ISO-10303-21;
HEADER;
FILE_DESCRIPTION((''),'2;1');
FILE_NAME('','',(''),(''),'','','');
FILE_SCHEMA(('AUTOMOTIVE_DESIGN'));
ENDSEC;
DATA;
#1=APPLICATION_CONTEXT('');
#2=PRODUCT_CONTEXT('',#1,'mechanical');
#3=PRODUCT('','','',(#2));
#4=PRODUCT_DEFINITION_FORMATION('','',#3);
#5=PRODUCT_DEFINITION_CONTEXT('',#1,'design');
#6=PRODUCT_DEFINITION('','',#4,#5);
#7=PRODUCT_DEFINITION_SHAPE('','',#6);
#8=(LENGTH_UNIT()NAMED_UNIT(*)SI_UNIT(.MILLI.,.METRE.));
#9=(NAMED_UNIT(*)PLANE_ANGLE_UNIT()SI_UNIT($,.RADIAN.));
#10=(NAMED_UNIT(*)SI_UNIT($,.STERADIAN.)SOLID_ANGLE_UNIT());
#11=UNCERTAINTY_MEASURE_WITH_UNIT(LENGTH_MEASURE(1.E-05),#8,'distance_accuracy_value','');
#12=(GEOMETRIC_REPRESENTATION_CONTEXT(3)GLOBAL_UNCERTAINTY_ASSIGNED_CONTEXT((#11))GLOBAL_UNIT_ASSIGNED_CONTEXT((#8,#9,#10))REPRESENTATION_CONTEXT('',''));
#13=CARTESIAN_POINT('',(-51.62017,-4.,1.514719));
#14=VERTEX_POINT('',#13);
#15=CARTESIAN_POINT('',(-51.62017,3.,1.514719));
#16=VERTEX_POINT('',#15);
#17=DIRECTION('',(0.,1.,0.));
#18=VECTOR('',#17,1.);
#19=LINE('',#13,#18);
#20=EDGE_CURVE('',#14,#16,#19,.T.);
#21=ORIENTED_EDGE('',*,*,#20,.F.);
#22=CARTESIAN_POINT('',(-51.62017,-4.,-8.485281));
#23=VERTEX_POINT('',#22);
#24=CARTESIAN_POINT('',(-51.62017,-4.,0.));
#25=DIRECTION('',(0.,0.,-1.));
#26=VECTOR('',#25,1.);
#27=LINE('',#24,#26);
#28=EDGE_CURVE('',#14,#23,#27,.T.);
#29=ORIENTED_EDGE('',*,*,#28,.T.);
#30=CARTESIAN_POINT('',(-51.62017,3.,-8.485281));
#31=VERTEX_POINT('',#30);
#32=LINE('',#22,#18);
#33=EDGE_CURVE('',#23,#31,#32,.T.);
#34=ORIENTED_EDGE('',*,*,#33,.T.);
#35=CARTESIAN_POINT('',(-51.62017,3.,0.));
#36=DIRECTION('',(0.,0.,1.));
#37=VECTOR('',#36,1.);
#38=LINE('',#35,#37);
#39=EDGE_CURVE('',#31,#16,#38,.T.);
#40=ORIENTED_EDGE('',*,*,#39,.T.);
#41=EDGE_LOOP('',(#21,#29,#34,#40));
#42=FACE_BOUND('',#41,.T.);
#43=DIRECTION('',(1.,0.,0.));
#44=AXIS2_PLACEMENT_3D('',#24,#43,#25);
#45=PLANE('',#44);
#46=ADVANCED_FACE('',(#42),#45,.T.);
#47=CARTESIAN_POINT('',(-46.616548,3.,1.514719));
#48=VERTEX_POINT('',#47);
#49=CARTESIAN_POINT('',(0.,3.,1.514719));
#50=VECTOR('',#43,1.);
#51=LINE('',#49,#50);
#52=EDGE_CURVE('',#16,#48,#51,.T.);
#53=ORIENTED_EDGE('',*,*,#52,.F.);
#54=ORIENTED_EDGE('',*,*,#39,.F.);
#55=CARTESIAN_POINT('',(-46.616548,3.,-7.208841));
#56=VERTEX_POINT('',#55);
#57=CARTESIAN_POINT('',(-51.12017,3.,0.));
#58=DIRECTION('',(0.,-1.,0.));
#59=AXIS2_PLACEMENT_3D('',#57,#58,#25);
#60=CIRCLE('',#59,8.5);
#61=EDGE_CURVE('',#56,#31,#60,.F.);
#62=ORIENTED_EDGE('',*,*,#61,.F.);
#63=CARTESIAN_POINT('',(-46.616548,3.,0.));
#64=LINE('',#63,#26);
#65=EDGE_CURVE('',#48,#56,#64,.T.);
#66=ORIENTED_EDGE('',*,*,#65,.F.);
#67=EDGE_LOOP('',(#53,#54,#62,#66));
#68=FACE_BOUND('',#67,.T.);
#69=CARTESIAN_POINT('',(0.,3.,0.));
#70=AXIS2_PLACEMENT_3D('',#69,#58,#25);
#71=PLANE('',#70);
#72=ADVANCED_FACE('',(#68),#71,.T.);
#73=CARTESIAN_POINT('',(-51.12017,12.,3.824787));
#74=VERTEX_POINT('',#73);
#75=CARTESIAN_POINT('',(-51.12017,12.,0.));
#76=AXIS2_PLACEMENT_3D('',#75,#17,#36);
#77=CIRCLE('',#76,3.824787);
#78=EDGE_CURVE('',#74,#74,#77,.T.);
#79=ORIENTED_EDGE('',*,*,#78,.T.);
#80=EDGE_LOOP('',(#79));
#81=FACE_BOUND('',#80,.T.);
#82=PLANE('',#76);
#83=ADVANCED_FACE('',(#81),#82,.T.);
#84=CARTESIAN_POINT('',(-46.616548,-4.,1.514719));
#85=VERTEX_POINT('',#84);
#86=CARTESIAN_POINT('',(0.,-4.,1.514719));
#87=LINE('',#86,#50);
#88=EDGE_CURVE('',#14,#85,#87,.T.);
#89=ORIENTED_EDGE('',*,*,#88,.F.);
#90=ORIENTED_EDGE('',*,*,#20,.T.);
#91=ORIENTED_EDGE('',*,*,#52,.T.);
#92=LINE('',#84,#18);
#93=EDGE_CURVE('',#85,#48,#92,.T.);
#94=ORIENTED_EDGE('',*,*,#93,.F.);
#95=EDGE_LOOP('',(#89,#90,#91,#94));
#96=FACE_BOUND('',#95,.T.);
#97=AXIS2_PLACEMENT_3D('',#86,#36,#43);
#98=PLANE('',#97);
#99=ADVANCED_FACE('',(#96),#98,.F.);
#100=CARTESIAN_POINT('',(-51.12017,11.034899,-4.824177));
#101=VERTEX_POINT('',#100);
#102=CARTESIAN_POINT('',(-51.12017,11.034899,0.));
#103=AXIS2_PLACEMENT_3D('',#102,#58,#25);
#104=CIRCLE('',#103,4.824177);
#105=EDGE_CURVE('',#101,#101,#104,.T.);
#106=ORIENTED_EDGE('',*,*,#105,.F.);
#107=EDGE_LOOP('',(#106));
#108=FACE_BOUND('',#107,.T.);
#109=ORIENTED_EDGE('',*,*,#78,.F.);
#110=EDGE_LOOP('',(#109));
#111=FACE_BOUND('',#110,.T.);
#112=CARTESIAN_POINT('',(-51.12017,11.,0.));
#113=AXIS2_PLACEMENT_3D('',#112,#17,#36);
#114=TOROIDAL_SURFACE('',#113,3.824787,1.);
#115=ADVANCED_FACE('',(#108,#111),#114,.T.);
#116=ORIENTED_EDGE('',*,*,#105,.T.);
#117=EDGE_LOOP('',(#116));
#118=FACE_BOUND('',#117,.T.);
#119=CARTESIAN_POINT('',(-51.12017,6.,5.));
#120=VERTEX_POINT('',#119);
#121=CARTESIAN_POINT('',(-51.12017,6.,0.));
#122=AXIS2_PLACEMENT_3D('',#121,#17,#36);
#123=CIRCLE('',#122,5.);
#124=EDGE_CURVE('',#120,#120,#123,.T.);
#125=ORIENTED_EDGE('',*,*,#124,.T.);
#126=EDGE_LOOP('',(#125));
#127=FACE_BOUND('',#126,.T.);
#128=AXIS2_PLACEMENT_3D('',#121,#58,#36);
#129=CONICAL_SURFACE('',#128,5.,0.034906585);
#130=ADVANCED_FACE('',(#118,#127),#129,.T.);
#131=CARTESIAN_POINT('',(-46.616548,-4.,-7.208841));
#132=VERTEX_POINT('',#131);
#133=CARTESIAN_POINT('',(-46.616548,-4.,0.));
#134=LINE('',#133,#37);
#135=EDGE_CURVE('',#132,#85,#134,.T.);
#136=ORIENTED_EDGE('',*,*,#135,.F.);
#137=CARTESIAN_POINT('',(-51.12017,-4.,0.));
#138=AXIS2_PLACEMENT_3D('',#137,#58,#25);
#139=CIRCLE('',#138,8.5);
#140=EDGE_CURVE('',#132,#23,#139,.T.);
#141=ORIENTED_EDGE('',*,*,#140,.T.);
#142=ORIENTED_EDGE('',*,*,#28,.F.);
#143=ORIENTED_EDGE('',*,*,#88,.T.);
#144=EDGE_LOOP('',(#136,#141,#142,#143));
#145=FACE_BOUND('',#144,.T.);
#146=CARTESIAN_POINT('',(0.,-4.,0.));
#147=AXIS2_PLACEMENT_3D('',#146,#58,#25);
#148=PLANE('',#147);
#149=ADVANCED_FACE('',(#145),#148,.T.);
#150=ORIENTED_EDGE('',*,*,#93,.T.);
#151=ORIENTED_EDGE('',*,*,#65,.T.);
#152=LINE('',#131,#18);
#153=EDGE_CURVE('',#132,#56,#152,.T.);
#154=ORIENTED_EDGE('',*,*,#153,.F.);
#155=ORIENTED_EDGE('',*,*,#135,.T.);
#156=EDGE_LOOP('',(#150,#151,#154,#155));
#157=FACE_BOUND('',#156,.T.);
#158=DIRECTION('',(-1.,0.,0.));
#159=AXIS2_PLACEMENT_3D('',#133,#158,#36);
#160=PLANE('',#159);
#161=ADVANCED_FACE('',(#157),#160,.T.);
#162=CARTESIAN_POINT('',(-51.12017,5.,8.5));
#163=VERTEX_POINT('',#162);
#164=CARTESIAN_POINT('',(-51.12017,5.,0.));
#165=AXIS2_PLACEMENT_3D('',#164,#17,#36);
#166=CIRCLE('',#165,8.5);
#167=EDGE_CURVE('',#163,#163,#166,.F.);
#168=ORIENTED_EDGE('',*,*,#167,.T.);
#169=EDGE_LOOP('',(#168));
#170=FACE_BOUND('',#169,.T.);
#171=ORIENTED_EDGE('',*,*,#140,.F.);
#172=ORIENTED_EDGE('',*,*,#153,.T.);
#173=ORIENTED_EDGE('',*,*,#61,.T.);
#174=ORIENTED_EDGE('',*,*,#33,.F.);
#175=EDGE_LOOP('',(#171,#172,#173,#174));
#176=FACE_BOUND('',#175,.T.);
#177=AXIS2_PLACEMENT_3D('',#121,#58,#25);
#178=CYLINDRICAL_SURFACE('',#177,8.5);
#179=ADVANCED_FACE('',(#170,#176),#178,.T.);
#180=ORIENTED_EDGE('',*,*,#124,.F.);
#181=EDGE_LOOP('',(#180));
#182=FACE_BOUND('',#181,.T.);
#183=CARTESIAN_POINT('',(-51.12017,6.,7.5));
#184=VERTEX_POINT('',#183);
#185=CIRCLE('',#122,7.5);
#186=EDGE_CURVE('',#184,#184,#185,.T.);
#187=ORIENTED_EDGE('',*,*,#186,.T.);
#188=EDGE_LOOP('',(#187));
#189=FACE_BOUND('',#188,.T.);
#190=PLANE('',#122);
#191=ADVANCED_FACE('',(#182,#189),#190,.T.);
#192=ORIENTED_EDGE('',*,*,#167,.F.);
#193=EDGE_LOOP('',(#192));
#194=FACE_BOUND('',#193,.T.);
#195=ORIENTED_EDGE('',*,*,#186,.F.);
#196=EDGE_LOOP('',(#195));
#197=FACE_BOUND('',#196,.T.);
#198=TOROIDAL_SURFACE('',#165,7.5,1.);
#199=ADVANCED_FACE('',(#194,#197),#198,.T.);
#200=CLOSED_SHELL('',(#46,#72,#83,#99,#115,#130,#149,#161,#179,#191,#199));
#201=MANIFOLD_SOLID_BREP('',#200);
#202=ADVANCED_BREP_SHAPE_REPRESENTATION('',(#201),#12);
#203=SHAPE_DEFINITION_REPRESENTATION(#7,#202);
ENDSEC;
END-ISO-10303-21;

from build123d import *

# Parameters (mm, degrees)
SKETCH1_R           = 8.5
BOSS_EXTRUDE1_DEPTH = 6
FILLET2_R           = 1
SKETCH2_R           = 5
BOSS_EXTRUDE3_DEPTH = 6
BOSS_EXTRUDE3_TAPER = 2
FILLET4_R           = 1
BOSS_EXTRUDE4_START = 4
BOSS_EXTRUDE4_DEPTH = 4
CUT_EXTRUDE4_DEPTH  = 7


with BuildPart() as part:
    # Sketch1 → Boss-Extrude1 (new body)
    with BuildSketch(Plane(origin=(0, 0, 0), x_dir=(1, 0, 0), z_dir=(0, 1, 0))):
        with Locations(Location((-51.120170416, 0, 0), (0, 0, 270))):
            Circle(SKETCH1_R)
    extrude(amount=BOSS_EXTRUDE1_DEPTH)

    # Fillet2
    fillet2_edges = [part.edges().sort_by_distance(p)[0] for p in [
        (-51.120170416, 6, -8.5),
    ]]
    fillet(fillet2_edges, radius=FILLET2_R)

    # Sketch2 → Boss-Extrude3 (add)
    with BuildSketch(Plane(origin=(0, 6, 0), x_dir=(1, 0, 0), z_dir=(0, 1, 0))):
        with Locations((-51.120170416, 0)):
            Circle(SKETCH2_R)
    extrude(amount=BOSS_EXTRUDE3_DEPTH, taper=BOSS_EXTRUDE3_TAPER)

    # Fillet4
    fillet4_edges = [part.edges().sort_by_distance(p)[0] for p in [
        (-55.9106458, 12, 0),
    ]]
    fillet(fillet4_edges, radius=FILLET4_R)

    # Sketch3 → Boss-Extrude4 (add)
    with BuildSketch(Plane.XZ.offset(BOSS_EXTRUDE4_START)):
        with BuildLine():
            Line((-51.620170416, 0), (-59.620170416, 0))
            ThreePointArc((-59.620170416, 0), (-57.304828855, -5.830951895), (-51.620170416, -8.485281374))
            Line((-51.620170416, -8.485281374), (-51.620170416, 0))
        make_face()
        with BuildLine():
            ThreePointArc((-42.620170416, 0), (-51.120170416, 8.5), (-59.620170416, 0))
            Line((-59.620170416, 0), (-51.620170416, 0))
            Line((-51.620170416, 0), (-51.620170416, 1.514718626))
            Line((-51.620170416, 1.514718626), (-46.616547928, 1.514718626))
            Line((-46.616547928, 1.514718626), (-46.616547928, 0))
            Line((-46.616547928, 0), (-42.620170416, 0))
        make_face()
        with BuildLine():
            ThreePointArc((-46.616547928, -7.208840717), (-43.686100497, -4.121238215), (-42.620170416, 0))
            Line((-42.620170416, 0), (-46.616547928, 0))
            Line((-46.616547928, 0), (-46.616547928, -7.208840717))
        make_face()
    extrude(amount=-BOSS_EXTRUDE4_DEPTH)

    # Sketch6 → Cut-Extrude4 (cut)
    with BuildSketch(Plane.XZ.offset(4)):
        with BuildLine():
            ThreePointArc((-46.616547928, -7.208840717), (-49.019081783, -8.236226475), (-51.620170416, -8.485281374))
            Line((-51.620170416, -8.485281374), (-51.620170416, 1.514718626))
            Line((-51.620170416, 1.514718626), (-46.616547928, 1.514718626))
            Line((-46.616547928, 1.514718626), (-46.616547928, -7.208840717))
        make_face()
    extrude(amount=-CUT_EXTRUDE4_DEPTH, mode=Mode.SUBTRACT)


solid = part.part
